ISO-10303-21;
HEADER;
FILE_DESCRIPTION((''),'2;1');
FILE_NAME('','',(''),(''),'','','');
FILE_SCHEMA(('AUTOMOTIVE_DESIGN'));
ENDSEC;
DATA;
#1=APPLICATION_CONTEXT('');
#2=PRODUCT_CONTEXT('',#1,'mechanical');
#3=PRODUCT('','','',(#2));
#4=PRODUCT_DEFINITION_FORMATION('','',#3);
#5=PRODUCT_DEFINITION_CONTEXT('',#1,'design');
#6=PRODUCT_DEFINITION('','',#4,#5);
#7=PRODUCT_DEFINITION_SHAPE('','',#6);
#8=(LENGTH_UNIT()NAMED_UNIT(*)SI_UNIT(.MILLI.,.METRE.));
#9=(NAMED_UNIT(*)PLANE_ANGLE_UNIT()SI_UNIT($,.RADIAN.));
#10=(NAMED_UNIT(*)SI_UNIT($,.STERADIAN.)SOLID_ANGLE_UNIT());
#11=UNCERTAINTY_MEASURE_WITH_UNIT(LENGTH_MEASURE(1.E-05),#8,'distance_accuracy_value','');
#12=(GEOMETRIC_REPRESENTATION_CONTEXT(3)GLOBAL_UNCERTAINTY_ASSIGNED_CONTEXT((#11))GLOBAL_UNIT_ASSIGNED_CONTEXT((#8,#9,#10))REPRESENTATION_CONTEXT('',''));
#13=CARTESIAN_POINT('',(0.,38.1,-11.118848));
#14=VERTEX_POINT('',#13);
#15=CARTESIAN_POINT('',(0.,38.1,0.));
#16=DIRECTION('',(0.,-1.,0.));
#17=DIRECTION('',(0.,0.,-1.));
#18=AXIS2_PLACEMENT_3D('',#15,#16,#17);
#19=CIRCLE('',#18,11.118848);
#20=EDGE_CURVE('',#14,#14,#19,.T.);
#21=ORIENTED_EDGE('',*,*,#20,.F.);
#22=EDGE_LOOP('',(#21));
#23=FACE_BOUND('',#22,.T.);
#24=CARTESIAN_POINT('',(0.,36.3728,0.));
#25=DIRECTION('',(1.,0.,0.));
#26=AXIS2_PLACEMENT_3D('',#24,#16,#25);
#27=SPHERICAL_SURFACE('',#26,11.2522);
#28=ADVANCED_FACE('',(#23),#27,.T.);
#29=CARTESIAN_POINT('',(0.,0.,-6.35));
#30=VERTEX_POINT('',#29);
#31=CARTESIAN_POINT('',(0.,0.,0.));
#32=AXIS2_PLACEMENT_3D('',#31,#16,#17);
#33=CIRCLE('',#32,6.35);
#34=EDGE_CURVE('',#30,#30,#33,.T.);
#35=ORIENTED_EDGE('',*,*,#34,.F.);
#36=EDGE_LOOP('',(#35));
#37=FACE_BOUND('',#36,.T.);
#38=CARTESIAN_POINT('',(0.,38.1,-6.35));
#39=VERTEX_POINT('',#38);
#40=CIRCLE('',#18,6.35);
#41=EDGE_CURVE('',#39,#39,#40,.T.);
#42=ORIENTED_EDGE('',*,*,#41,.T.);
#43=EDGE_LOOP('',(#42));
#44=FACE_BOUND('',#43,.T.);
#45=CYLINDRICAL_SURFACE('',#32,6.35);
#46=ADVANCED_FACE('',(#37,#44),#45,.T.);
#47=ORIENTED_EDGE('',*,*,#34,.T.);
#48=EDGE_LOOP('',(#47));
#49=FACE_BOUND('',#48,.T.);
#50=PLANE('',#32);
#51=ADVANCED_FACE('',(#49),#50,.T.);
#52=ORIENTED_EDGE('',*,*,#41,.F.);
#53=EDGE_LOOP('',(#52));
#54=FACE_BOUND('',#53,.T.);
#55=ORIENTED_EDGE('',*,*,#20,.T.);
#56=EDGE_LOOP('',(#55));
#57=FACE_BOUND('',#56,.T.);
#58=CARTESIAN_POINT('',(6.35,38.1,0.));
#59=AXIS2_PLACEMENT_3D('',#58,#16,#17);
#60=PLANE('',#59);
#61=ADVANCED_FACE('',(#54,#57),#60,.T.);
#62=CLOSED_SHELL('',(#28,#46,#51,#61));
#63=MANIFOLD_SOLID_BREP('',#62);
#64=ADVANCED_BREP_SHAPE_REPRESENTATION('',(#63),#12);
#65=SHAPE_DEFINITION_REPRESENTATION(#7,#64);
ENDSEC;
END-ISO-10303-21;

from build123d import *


with BuildPart() as part:
    # Sketch1 → Revolve1 (revolve)
    with BuildSketch(Plane.XY, mode=Mode.PRIVATE) as revolve1_sk:
        with BuildLine():
            Line((0, 0), (6.35, 0))
            Line((6.35, 0), (6.35, 38.1))
            Line((6.35, 38.1), (11.118848187, 38.1))
            ThreePointArc((11.118848187, 38.1), (7.320423656, 44.918173154), (0, 47.625))
            Line((0, 47.625), (0, 0))
        make_face()
    revolve(revolve1_sk.sketch.rotate(Axis((0, 0, 0), (0, 1, 0)), 90), axis=Axis((0, 0, 0), (0, 1, 0)))


solid = part.part
